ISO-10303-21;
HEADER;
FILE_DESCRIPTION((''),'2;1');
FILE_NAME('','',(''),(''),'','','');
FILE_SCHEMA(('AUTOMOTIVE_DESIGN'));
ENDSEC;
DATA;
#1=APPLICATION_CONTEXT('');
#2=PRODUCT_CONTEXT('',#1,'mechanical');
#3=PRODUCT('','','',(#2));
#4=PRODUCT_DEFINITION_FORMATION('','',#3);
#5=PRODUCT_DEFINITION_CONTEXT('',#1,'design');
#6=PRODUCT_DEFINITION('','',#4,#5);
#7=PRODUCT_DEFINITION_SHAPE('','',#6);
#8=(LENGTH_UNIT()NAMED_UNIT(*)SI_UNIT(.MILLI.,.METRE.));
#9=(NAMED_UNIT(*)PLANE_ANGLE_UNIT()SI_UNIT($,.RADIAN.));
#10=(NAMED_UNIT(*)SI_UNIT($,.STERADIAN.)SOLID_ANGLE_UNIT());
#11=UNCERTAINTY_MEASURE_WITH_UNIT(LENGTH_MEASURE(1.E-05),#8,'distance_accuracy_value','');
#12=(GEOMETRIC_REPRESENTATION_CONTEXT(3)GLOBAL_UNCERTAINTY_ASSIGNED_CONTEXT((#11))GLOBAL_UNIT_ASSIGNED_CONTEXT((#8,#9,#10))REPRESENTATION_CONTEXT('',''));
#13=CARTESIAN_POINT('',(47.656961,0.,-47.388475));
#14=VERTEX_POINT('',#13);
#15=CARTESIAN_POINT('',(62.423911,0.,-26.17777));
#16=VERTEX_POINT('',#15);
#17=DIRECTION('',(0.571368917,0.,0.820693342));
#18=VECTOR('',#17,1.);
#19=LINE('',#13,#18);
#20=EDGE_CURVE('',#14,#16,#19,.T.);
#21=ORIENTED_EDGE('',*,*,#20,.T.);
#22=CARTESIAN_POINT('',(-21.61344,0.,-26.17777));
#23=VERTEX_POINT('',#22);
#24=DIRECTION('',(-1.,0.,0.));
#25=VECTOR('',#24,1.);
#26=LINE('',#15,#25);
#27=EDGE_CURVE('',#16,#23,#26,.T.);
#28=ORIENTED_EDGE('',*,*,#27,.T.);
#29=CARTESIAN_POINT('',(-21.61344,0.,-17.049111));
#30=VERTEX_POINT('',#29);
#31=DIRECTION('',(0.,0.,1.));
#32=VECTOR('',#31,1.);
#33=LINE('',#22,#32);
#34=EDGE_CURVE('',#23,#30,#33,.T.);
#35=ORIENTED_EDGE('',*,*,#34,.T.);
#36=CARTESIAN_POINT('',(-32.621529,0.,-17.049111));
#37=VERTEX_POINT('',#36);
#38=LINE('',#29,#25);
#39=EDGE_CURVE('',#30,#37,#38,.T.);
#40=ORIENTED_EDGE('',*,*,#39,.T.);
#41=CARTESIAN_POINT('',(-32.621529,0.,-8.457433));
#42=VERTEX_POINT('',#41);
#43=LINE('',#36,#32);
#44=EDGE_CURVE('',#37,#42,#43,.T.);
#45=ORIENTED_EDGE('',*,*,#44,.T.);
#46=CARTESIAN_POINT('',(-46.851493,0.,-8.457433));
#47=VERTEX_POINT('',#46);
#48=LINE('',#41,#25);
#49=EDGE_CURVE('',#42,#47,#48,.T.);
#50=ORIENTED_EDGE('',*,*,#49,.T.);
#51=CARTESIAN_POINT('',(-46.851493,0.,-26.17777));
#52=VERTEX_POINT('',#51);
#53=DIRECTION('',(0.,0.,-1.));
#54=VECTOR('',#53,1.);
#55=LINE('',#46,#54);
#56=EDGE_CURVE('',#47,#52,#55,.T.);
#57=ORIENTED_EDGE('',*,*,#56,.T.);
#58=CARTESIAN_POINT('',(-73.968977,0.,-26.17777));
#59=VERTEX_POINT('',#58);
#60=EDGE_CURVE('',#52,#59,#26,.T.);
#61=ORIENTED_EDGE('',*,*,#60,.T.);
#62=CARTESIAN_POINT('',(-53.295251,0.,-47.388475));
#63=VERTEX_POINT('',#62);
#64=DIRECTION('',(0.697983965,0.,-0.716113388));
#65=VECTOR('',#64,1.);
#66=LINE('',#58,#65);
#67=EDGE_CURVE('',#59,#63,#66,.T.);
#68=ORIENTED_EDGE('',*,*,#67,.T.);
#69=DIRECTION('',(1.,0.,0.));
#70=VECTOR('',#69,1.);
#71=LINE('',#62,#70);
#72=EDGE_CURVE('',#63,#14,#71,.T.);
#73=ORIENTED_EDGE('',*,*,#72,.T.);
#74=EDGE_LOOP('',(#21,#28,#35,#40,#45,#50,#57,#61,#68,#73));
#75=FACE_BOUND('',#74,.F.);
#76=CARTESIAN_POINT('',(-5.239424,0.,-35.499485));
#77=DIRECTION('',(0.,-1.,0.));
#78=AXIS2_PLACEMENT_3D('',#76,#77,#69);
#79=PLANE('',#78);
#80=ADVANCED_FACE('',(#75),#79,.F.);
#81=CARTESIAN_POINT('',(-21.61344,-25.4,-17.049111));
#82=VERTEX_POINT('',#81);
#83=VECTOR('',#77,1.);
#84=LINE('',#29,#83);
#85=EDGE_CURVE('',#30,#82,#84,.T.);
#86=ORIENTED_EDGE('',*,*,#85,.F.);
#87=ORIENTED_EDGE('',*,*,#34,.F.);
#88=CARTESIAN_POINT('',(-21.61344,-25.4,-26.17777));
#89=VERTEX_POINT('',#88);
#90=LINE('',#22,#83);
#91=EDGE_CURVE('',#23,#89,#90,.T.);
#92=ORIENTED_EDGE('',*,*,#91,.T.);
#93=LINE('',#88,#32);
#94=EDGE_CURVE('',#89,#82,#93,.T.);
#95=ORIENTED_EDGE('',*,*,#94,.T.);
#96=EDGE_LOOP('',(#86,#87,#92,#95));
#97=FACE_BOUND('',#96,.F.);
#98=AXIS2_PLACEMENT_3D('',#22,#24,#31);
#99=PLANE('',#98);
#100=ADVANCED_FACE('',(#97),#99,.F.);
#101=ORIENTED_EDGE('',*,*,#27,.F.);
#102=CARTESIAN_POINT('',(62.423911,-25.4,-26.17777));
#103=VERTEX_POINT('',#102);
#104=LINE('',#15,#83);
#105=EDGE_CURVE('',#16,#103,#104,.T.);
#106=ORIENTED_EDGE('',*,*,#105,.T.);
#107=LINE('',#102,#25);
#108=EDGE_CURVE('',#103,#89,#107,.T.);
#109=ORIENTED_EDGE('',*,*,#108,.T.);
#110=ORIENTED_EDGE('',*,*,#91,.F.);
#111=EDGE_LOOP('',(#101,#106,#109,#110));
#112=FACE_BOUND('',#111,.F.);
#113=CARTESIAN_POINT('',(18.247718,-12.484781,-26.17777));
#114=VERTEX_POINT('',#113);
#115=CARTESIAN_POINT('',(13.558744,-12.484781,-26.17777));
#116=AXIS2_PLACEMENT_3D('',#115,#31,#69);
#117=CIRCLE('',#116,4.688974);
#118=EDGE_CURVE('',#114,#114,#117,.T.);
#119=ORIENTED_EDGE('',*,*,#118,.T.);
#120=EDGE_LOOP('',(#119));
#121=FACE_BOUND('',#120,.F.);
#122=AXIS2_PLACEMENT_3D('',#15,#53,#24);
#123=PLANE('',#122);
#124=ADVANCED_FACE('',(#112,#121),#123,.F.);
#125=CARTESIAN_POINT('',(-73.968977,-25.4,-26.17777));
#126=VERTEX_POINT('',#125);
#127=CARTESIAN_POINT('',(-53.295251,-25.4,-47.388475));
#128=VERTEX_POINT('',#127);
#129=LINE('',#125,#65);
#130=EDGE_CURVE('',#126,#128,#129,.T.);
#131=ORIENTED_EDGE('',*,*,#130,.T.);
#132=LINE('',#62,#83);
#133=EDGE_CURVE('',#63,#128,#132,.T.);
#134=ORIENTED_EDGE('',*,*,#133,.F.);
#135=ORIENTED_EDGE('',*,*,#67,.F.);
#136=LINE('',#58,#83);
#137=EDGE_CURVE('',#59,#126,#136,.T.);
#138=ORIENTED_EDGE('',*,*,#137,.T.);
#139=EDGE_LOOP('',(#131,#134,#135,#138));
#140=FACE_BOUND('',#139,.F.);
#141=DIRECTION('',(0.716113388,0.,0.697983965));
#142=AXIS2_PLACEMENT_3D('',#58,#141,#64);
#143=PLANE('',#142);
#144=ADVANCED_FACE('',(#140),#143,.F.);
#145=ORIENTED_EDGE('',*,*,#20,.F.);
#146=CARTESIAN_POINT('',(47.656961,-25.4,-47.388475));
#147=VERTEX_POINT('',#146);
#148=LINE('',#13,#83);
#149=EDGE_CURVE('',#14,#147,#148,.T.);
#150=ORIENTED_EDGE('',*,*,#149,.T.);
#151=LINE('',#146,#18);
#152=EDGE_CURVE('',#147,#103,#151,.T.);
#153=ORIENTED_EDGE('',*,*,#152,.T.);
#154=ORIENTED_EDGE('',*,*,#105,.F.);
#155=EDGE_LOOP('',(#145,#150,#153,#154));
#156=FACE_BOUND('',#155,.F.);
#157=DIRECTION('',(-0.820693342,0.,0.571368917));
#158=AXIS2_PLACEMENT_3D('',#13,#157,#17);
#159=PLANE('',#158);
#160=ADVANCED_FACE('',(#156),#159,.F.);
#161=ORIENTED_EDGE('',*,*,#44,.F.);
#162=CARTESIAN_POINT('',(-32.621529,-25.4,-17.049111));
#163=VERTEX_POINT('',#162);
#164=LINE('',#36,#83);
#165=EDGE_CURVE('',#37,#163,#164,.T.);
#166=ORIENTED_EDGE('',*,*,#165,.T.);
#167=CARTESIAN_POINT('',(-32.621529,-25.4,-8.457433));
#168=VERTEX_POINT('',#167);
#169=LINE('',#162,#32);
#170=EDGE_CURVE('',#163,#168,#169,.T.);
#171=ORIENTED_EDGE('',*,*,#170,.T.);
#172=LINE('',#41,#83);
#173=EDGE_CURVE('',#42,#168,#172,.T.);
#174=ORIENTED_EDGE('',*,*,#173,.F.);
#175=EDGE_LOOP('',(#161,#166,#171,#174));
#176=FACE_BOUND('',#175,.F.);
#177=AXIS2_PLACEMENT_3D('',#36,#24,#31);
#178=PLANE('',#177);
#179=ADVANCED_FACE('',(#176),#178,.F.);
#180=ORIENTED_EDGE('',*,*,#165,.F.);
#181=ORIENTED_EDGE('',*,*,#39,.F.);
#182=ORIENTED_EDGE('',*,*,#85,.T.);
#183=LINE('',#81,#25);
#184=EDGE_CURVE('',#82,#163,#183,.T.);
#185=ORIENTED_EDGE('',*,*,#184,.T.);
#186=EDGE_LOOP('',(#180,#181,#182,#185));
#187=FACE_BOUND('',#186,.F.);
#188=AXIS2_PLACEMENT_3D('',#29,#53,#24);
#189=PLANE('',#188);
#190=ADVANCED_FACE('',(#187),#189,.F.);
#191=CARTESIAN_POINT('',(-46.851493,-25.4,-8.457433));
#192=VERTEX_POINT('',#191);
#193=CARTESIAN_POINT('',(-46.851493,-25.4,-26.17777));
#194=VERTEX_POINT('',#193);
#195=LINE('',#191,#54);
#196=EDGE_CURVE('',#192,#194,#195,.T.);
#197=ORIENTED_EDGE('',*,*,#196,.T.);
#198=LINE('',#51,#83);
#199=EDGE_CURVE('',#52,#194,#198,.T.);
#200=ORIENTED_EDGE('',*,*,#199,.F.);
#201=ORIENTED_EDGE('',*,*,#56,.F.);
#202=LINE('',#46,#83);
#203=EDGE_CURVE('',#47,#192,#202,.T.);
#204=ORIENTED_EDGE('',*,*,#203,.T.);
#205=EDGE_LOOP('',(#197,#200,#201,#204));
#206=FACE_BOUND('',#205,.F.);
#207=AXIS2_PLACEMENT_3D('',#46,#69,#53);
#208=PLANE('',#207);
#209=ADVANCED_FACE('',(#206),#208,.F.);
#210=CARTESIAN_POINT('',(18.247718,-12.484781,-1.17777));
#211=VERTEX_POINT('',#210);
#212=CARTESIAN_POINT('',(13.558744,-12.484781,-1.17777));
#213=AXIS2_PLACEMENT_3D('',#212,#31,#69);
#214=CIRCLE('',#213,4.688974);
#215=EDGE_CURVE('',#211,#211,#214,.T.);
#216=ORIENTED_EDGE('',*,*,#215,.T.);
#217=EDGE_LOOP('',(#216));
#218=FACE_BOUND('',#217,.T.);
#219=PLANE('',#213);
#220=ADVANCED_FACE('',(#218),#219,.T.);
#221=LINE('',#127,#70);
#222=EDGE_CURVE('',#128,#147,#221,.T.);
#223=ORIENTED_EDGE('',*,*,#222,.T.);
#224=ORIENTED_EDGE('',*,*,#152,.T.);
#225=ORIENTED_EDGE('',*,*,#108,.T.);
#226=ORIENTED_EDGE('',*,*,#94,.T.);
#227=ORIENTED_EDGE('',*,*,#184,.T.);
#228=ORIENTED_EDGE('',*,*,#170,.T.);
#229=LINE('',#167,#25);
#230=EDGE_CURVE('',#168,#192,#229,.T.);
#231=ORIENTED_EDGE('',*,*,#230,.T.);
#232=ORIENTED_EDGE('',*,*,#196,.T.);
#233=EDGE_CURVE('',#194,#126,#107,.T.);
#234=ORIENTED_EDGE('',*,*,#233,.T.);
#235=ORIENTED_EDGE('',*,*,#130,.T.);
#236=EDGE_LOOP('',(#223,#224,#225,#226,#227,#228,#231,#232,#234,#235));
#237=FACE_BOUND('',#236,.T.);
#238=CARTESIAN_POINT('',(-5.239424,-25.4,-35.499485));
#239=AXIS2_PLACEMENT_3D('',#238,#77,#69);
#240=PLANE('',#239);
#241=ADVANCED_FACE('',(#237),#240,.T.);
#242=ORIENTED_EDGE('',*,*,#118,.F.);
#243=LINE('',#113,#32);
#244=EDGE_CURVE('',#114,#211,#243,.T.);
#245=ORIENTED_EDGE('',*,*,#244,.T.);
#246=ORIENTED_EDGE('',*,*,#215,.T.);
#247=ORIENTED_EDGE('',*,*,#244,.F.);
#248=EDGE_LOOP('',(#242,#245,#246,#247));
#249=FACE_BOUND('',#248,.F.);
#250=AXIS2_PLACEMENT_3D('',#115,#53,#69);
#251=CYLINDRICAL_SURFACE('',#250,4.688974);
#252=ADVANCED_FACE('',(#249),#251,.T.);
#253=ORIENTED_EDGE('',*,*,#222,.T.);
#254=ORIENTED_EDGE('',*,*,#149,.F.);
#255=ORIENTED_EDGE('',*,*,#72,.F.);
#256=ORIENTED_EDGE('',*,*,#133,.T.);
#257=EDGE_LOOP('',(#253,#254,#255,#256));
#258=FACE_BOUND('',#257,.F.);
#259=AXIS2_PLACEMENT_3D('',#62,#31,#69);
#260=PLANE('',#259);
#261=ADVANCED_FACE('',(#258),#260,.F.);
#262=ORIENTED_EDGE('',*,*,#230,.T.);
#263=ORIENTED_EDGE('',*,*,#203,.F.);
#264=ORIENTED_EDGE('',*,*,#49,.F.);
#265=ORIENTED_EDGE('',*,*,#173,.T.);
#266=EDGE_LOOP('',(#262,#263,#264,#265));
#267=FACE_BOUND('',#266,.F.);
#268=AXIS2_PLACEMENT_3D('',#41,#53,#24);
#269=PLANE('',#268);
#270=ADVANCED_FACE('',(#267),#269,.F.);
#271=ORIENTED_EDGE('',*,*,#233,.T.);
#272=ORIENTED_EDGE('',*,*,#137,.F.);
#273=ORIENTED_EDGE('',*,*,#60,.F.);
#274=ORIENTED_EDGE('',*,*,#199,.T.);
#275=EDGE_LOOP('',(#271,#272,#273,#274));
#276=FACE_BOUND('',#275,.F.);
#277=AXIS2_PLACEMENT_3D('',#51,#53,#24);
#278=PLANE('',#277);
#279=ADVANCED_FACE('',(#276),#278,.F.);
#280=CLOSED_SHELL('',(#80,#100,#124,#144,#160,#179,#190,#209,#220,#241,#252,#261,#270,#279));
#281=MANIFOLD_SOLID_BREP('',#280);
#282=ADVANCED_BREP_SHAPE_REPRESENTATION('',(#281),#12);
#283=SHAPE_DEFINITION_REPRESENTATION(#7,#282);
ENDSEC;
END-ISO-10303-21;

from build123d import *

# Parameters (mm, degrees)
F1_DEPTH = 25.4
F2_R     = 4.688974
F4_DEPTH = 25


with BuildPart() as f1:
    # F0 (on Front) → F1 (new body)
    with BuildSketch(Plane.XZ):
        Polygon((-46.851493, -26.17777), (-73.968977, -26.17777), (-53.295251, -47.388475), (47.656961, -47.388475), (62.423911, -26.17777), (13.290253, -26.17777), (0, -26.17777), (-21.61344, -26.17777), align=None)
        Polygon((-46.851493, -8.457433), (-46.851493, -26.17777), (-21.61344, -26.17777), (-21.61344, -17.049111), (-32.621529, -17.049111), (-32.621529, -8.457433), align=None)
    extrude(amount=F1_DEPTH)

    # F2 (on face) → F4 (join)
    with BuildSketch(Plane.XY.offset(-26.17777)):
        with Locations((13.558744, -12.484781)):
            Circle(F2_R)
    extrude(amount=F4_DEPTH)


solid = f1.part
